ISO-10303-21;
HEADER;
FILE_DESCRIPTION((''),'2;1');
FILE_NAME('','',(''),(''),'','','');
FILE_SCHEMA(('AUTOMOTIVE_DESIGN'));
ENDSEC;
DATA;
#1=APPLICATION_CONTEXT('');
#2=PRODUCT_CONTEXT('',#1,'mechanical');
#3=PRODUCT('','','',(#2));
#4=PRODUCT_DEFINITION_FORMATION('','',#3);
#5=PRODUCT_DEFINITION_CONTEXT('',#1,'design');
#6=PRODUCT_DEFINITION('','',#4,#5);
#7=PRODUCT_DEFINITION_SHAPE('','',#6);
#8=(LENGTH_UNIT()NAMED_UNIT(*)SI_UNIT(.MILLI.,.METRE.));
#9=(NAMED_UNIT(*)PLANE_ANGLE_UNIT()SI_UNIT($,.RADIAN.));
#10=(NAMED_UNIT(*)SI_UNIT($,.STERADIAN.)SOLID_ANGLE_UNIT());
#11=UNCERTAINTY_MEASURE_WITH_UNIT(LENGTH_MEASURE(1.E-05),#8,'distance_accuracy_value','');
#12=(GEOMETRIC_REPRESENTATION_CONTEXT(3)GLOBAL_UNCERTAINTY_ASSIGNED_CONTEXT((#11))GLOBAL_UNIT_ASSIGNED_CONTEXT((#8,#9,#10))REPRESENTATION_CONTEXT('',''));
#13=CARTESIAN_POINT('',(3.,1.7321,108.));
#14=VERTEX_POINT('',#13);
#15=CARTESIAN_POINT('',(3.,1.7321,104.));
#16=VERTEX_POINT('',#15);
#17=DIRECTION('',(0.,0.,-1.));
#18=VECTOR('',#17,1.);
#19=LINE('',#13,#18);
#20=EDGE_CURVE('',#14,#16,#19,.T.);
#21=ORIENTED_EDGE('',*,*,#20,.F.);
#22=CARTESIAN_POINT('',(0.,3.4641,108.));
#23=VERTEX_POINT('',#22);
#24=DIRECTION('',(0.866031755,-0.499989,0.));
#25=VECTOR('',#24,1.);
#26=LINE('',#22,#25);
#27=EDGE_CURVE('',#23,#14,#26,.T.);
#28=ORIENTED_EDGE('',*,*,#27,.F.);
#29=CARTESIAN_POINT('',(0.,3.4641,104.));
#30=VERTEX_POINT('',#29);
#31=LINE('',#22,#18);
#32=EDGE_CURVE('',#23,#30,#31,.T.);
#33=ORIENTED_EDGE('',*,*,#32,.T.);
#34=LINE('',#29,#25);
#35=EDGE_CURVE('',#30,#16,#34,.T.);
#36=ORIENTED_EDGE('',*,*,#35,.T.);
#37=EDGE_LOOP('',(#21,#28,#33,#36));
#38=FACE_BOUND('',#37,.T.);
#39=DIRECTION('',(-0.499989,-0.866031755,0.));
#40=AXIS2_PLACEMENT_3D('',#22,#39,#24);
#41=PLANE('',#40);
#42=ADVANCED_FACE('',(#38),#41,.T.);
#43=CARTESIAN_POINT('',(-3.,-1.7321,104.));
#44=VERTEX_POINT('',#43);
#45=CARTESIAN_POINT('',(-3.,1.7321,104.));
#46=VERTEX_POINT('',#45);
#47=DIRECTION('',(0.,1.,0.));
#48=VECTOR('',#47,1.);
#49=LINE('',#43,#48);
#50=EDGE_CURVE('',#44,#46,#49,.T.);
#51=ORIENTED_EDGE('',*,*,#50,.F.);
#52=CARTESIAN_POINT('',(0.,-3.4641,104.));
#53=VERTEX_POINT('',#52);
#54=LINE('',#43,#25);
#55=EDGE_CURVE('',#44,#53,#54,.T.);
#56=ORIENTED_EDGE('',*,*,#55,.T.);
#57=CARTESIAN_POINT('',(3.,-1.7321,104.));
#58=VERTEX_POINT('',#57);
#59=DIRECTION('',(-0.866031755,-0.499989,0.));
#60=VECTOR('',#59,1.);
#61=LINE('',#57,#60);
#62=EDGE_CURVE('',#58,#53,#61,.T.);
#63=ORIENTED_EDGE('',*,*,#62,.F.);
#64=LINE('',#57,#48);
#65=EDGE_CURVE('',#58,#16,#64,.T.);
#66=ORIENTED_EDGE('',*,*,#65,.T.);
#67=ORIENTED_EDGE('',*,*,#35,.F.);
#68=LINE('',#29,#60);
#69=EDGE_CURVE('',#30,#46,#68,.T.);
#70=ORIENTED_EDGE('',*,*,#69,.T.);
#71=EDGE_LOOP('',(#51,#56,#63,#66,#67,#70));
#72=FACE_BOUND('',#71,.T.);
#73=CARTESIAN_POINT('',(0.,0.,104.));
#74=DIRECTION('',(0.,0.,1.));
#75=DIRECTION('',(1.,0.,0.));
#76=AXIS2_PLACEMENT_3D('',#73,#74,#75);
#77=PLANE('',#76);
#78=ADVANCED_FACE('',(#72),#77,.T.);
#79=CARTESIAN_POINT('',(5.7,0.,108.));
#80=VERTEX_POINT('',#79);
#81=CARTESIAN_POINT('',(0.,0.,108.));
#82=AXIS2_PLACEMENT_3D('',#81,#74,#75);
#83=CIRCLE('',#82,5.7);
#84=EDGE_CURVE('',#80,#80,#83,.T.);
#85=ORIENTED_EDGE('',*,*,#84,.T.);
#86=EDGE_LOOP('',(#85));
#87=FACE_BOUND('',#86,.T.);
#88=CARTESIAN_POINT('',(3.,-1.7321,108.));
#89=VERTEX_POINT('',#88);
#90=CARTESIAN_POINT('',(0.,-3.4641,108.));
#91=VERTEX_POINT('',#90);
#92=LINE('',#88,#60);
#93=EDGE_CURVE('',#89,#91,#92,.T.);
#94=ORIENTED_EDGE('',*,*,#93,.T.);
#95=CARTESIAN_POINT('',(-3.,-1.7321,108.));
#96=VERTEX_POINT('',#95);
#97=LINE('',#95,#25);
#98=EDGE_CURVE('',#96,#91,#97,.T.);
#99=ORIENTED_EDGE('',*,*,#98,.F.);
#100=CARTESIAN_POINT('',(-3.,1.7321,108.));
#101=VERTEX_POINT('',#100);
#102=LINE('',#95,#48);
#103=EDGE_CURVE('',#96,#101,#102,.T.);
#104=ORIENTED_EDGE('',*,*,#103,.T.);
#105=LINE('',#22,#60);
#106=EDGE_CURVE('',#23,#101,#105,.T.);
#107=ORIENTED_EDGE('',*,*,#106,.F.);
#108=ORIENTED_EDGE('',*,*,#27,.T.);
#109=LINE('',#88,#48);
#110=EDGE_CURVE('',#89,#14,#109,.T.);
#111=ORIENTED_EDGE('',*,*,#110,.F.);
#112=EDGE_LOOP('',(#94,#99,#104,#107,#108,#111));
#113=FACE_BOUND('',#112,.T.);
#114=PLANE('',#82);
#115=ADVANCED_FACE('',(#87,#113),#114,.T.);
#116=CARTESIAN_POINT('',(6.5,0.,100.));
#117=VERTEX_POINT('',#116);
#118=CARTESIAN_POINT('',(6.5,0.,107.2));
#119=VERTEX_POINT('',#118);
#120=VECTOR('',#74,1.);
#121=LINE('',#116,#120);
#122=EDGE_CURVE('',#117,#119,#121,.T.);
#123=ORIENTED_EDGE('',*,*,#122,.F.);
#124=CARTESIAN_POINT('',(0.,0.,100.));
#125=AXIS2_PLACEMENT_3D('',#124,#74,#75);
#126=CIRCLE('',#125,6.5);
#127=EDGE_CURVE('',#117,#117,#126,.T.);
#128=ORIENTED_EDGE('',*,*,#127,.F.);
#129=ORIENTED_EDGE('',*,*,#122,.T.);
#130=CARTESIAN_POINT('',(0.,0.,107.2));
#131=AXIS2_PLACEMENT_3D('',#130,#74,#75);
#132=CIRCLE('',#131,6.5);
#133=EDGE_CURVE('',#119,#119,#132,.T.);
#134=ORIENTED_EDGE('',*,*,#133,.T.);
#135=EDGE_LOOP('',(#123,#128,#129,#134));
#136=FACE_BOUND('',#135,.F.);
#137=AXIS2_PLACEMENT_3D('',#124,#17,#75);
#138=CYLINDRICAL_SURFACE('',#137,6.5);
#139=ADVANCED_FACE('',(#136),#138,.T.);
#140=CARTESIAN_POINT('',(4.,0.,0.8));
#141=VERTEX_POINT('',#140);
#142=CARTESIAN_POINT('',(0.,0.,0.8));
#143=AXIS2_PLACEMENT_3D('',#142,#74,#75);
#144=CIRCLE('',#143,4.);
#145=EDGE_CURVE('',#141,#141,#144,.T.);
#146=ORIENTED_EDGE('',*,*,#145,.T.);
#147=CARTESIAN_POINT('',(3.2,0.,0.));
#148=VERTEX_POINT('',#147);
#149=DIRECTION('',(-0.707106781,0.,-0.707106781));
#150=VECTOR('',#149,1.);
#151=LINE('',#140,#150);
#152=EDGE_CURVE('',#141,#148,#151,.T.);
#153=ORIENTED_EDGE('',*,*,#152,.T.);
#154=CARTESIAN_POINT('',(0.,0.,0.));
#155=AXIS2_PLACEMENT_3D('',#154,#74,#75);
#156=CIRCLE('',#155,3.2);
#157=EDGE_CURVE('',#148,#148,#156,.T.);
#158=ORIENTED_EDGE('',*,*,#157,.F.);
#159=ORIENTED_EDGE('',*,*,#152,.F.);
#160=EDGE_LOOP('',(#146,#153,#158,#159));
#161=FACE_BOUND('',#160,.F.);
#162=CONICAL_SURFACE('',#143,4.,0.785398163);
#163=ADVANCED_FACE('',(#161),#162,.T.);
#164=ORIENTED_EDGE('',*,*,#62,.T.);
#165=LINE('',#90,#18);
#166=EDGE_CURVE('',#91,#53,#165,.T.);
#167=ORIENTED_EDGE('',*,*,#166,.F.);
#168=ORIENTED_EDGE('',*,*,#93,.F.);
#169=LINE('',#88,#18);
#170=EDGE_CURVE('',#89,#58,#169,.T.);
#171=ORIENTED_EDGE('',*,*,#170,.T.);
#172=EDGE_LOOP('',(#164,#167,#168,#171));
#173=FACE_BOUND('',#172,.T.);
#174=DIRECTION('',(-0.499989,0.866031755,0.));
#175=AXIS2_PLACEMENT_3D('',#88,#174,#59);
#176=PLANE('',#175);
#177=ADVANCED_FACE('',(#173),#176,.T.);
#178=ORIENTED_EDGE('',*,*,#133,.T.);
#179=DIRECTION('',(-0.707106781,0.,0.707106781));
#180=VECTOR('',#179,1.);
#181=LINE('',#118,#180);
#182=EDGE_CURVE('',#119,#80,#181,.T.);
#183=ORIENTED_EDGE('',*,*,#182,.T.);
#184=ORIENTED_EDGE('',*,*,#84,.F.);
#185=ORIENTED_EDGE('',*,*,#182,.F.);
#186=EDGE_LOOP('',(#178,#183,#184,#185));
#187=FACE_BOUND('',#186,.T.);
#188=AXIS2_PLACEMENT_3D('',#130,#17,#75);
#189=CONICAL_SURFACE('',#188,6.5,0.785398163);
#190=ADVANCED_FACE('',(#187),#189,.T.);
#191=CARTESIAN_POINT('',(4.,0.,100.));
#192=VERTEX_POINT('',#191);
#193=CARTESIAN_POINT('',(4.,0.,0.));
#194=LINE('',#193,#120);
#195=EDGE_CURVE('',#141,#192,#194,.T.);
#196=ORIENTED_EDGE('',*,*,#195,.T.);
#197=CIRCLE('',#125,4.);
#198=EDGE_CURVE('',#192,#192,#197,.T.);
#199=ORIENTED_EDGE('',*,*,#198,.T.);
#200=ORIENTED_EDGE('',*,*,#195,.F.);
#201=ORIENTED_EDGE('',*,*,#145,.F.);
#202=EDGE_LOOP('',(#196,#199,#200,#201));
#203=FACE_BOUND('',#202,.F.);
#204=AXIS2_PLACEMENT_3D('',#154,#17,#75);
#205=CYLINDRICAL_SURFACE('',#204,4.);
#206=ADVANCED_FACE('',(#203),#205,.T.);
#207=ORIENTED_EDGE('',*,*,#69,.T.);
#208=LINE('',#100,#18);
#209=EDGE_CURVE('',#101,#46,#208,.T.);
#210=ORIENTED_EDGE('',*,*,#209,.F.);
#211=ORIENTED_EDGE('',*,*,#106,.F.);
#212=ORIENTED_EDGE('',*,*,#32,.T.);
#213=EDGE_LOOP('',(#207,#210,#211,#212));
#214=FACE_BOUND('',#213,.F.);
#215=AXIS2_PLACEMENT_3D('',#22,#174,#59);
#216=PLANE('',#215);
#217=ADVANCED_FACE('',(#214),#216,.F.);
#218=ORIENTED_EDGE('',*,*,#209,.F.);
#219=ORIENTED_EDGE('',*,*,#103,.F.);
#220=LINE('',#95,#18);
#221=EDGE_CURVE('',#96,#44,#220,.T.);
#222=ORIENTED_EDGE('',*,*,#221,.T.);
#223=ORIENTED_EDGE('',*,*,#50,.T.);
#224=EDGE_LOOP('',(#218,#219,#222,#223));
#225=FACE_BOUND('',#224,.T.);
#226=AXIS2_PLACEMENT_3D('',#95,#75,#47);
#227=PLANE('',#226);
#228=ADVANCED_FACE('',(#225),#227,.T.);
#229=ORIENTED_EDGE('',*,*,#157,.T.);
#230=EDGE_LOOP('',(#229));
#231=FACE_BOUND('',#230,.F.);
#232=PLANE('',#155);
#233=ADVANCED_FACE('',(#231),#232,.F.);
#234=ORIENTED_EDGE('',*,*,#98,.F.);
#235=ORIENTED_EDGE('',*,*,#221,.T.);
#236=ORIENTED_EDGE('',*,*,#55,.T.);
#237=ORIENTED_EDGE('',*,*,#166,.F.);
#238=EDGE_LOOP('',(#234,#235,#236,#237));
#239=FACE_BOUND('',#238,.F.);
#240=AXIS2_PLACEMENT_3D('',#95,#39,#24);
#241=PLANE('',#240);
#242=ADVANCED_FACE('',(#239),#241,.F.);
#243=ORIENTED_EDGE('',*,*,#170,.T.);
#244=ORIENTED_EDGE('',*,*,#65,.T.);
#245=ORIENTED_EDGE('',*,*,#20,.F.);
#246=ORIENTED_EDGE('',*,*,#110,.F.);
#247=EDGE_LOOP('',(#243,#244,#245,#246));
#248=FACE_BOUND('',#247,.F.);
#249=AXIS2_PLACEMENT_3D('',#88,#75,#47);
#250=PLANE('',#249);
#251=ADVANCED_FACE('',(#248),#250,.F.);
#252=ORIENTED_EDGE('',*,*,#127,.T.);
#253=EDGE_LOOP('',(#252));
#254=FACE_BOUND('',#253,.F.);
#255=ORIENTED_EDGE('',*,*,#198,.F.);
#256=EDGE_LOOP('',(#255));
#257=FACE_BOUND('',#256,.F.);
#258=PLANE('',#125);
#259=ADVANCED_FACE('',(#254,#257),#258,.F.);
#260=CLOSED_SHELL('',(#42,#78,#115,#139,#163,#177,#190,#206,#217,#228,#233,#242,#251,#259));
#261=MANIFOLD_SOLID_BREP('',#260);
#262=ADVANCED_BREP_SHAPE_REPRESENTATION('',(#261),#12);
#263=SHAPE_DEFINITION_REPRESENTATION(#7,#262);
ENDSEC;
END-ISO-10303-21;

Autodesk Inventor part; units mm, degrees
ref_plane "YZ Plane" through (0, 0, 0) normal (1, 0, 0) x (0, 1, 0)
ref_plane "XZ Plane" through (0, 0, 0) normal (0, 1, 0) x (-1, 0, 0)
ref_plane "XY Plane" through (0, 0, 0) normal (0, 0, 1) x (1, 0, 0)
sketch "Sketch1" plane through (0, 0, 0) normal (0, 0, 1) x (1, 0, 0)
  circle A0 centre (0, 0) radius 4
  dimension "Diameter" = 8
extrude "Extrusion1" add sketch "Sketch1" along normal blind 100
sketch "Sketch2" plane through (0, 0, 100) normal (0, 0, 1) x (1, 0, 0)
  circle A0 centre (0, 0) radius 4 projected
  circle A1 centre (0, 0) radius 6.5
  dimension "Head_Diameter" = 13
extrude "Extrusion2" add sketch "Sketch2" along normal blind 8 contours A0 | A1
sketch "Sketch3" plane through (0, 0, 108) normal (0, 0, 1) x (1, 0, 0)
  circle A0 centre (0, 0) radius 6.5 projected
  circle A1 centre (0, 0) radius 3.4641 construction
  line L0 (0, 3.4641) -> (3, 1.7321)
  line L1 (3, -1.7321) -> (3, 1.7321)
  line L2 (0, 3.4641) -> (-3, 1.7321)
  line L3 (-3, -1.7321) -> (-3, 1.7321)
  line L4 (-3, -1.7321) -> (0, -3.4641)
  line L5 (3, -1.7321) -> (0, -3.4641)
  dimension "Hex_Width" = 6
extrude "Extrusion3" cut sketch "Sketch3" against normal blind 4 contours L0 L1 L5 L4 L3 L2
thread "Thread1" size "M8x1.25" class "4g6g" standard "ANSI Metric M Profile" length 28
chamfer "Chamfer1" distance 0.8 angle 45 2 edges at (-6.5, 0, 108) (-4, 0, 0)
equation "\"d9\" = ThreadLength"
equation "\"d12\" = Chamfer"
equation "\"ThreadLength\" = 28"
equation "\"Chamfer\" = 0.8"
properties part number "SCREW, SOCKET HD, P, 12.9, M8X1.25X100MM"
